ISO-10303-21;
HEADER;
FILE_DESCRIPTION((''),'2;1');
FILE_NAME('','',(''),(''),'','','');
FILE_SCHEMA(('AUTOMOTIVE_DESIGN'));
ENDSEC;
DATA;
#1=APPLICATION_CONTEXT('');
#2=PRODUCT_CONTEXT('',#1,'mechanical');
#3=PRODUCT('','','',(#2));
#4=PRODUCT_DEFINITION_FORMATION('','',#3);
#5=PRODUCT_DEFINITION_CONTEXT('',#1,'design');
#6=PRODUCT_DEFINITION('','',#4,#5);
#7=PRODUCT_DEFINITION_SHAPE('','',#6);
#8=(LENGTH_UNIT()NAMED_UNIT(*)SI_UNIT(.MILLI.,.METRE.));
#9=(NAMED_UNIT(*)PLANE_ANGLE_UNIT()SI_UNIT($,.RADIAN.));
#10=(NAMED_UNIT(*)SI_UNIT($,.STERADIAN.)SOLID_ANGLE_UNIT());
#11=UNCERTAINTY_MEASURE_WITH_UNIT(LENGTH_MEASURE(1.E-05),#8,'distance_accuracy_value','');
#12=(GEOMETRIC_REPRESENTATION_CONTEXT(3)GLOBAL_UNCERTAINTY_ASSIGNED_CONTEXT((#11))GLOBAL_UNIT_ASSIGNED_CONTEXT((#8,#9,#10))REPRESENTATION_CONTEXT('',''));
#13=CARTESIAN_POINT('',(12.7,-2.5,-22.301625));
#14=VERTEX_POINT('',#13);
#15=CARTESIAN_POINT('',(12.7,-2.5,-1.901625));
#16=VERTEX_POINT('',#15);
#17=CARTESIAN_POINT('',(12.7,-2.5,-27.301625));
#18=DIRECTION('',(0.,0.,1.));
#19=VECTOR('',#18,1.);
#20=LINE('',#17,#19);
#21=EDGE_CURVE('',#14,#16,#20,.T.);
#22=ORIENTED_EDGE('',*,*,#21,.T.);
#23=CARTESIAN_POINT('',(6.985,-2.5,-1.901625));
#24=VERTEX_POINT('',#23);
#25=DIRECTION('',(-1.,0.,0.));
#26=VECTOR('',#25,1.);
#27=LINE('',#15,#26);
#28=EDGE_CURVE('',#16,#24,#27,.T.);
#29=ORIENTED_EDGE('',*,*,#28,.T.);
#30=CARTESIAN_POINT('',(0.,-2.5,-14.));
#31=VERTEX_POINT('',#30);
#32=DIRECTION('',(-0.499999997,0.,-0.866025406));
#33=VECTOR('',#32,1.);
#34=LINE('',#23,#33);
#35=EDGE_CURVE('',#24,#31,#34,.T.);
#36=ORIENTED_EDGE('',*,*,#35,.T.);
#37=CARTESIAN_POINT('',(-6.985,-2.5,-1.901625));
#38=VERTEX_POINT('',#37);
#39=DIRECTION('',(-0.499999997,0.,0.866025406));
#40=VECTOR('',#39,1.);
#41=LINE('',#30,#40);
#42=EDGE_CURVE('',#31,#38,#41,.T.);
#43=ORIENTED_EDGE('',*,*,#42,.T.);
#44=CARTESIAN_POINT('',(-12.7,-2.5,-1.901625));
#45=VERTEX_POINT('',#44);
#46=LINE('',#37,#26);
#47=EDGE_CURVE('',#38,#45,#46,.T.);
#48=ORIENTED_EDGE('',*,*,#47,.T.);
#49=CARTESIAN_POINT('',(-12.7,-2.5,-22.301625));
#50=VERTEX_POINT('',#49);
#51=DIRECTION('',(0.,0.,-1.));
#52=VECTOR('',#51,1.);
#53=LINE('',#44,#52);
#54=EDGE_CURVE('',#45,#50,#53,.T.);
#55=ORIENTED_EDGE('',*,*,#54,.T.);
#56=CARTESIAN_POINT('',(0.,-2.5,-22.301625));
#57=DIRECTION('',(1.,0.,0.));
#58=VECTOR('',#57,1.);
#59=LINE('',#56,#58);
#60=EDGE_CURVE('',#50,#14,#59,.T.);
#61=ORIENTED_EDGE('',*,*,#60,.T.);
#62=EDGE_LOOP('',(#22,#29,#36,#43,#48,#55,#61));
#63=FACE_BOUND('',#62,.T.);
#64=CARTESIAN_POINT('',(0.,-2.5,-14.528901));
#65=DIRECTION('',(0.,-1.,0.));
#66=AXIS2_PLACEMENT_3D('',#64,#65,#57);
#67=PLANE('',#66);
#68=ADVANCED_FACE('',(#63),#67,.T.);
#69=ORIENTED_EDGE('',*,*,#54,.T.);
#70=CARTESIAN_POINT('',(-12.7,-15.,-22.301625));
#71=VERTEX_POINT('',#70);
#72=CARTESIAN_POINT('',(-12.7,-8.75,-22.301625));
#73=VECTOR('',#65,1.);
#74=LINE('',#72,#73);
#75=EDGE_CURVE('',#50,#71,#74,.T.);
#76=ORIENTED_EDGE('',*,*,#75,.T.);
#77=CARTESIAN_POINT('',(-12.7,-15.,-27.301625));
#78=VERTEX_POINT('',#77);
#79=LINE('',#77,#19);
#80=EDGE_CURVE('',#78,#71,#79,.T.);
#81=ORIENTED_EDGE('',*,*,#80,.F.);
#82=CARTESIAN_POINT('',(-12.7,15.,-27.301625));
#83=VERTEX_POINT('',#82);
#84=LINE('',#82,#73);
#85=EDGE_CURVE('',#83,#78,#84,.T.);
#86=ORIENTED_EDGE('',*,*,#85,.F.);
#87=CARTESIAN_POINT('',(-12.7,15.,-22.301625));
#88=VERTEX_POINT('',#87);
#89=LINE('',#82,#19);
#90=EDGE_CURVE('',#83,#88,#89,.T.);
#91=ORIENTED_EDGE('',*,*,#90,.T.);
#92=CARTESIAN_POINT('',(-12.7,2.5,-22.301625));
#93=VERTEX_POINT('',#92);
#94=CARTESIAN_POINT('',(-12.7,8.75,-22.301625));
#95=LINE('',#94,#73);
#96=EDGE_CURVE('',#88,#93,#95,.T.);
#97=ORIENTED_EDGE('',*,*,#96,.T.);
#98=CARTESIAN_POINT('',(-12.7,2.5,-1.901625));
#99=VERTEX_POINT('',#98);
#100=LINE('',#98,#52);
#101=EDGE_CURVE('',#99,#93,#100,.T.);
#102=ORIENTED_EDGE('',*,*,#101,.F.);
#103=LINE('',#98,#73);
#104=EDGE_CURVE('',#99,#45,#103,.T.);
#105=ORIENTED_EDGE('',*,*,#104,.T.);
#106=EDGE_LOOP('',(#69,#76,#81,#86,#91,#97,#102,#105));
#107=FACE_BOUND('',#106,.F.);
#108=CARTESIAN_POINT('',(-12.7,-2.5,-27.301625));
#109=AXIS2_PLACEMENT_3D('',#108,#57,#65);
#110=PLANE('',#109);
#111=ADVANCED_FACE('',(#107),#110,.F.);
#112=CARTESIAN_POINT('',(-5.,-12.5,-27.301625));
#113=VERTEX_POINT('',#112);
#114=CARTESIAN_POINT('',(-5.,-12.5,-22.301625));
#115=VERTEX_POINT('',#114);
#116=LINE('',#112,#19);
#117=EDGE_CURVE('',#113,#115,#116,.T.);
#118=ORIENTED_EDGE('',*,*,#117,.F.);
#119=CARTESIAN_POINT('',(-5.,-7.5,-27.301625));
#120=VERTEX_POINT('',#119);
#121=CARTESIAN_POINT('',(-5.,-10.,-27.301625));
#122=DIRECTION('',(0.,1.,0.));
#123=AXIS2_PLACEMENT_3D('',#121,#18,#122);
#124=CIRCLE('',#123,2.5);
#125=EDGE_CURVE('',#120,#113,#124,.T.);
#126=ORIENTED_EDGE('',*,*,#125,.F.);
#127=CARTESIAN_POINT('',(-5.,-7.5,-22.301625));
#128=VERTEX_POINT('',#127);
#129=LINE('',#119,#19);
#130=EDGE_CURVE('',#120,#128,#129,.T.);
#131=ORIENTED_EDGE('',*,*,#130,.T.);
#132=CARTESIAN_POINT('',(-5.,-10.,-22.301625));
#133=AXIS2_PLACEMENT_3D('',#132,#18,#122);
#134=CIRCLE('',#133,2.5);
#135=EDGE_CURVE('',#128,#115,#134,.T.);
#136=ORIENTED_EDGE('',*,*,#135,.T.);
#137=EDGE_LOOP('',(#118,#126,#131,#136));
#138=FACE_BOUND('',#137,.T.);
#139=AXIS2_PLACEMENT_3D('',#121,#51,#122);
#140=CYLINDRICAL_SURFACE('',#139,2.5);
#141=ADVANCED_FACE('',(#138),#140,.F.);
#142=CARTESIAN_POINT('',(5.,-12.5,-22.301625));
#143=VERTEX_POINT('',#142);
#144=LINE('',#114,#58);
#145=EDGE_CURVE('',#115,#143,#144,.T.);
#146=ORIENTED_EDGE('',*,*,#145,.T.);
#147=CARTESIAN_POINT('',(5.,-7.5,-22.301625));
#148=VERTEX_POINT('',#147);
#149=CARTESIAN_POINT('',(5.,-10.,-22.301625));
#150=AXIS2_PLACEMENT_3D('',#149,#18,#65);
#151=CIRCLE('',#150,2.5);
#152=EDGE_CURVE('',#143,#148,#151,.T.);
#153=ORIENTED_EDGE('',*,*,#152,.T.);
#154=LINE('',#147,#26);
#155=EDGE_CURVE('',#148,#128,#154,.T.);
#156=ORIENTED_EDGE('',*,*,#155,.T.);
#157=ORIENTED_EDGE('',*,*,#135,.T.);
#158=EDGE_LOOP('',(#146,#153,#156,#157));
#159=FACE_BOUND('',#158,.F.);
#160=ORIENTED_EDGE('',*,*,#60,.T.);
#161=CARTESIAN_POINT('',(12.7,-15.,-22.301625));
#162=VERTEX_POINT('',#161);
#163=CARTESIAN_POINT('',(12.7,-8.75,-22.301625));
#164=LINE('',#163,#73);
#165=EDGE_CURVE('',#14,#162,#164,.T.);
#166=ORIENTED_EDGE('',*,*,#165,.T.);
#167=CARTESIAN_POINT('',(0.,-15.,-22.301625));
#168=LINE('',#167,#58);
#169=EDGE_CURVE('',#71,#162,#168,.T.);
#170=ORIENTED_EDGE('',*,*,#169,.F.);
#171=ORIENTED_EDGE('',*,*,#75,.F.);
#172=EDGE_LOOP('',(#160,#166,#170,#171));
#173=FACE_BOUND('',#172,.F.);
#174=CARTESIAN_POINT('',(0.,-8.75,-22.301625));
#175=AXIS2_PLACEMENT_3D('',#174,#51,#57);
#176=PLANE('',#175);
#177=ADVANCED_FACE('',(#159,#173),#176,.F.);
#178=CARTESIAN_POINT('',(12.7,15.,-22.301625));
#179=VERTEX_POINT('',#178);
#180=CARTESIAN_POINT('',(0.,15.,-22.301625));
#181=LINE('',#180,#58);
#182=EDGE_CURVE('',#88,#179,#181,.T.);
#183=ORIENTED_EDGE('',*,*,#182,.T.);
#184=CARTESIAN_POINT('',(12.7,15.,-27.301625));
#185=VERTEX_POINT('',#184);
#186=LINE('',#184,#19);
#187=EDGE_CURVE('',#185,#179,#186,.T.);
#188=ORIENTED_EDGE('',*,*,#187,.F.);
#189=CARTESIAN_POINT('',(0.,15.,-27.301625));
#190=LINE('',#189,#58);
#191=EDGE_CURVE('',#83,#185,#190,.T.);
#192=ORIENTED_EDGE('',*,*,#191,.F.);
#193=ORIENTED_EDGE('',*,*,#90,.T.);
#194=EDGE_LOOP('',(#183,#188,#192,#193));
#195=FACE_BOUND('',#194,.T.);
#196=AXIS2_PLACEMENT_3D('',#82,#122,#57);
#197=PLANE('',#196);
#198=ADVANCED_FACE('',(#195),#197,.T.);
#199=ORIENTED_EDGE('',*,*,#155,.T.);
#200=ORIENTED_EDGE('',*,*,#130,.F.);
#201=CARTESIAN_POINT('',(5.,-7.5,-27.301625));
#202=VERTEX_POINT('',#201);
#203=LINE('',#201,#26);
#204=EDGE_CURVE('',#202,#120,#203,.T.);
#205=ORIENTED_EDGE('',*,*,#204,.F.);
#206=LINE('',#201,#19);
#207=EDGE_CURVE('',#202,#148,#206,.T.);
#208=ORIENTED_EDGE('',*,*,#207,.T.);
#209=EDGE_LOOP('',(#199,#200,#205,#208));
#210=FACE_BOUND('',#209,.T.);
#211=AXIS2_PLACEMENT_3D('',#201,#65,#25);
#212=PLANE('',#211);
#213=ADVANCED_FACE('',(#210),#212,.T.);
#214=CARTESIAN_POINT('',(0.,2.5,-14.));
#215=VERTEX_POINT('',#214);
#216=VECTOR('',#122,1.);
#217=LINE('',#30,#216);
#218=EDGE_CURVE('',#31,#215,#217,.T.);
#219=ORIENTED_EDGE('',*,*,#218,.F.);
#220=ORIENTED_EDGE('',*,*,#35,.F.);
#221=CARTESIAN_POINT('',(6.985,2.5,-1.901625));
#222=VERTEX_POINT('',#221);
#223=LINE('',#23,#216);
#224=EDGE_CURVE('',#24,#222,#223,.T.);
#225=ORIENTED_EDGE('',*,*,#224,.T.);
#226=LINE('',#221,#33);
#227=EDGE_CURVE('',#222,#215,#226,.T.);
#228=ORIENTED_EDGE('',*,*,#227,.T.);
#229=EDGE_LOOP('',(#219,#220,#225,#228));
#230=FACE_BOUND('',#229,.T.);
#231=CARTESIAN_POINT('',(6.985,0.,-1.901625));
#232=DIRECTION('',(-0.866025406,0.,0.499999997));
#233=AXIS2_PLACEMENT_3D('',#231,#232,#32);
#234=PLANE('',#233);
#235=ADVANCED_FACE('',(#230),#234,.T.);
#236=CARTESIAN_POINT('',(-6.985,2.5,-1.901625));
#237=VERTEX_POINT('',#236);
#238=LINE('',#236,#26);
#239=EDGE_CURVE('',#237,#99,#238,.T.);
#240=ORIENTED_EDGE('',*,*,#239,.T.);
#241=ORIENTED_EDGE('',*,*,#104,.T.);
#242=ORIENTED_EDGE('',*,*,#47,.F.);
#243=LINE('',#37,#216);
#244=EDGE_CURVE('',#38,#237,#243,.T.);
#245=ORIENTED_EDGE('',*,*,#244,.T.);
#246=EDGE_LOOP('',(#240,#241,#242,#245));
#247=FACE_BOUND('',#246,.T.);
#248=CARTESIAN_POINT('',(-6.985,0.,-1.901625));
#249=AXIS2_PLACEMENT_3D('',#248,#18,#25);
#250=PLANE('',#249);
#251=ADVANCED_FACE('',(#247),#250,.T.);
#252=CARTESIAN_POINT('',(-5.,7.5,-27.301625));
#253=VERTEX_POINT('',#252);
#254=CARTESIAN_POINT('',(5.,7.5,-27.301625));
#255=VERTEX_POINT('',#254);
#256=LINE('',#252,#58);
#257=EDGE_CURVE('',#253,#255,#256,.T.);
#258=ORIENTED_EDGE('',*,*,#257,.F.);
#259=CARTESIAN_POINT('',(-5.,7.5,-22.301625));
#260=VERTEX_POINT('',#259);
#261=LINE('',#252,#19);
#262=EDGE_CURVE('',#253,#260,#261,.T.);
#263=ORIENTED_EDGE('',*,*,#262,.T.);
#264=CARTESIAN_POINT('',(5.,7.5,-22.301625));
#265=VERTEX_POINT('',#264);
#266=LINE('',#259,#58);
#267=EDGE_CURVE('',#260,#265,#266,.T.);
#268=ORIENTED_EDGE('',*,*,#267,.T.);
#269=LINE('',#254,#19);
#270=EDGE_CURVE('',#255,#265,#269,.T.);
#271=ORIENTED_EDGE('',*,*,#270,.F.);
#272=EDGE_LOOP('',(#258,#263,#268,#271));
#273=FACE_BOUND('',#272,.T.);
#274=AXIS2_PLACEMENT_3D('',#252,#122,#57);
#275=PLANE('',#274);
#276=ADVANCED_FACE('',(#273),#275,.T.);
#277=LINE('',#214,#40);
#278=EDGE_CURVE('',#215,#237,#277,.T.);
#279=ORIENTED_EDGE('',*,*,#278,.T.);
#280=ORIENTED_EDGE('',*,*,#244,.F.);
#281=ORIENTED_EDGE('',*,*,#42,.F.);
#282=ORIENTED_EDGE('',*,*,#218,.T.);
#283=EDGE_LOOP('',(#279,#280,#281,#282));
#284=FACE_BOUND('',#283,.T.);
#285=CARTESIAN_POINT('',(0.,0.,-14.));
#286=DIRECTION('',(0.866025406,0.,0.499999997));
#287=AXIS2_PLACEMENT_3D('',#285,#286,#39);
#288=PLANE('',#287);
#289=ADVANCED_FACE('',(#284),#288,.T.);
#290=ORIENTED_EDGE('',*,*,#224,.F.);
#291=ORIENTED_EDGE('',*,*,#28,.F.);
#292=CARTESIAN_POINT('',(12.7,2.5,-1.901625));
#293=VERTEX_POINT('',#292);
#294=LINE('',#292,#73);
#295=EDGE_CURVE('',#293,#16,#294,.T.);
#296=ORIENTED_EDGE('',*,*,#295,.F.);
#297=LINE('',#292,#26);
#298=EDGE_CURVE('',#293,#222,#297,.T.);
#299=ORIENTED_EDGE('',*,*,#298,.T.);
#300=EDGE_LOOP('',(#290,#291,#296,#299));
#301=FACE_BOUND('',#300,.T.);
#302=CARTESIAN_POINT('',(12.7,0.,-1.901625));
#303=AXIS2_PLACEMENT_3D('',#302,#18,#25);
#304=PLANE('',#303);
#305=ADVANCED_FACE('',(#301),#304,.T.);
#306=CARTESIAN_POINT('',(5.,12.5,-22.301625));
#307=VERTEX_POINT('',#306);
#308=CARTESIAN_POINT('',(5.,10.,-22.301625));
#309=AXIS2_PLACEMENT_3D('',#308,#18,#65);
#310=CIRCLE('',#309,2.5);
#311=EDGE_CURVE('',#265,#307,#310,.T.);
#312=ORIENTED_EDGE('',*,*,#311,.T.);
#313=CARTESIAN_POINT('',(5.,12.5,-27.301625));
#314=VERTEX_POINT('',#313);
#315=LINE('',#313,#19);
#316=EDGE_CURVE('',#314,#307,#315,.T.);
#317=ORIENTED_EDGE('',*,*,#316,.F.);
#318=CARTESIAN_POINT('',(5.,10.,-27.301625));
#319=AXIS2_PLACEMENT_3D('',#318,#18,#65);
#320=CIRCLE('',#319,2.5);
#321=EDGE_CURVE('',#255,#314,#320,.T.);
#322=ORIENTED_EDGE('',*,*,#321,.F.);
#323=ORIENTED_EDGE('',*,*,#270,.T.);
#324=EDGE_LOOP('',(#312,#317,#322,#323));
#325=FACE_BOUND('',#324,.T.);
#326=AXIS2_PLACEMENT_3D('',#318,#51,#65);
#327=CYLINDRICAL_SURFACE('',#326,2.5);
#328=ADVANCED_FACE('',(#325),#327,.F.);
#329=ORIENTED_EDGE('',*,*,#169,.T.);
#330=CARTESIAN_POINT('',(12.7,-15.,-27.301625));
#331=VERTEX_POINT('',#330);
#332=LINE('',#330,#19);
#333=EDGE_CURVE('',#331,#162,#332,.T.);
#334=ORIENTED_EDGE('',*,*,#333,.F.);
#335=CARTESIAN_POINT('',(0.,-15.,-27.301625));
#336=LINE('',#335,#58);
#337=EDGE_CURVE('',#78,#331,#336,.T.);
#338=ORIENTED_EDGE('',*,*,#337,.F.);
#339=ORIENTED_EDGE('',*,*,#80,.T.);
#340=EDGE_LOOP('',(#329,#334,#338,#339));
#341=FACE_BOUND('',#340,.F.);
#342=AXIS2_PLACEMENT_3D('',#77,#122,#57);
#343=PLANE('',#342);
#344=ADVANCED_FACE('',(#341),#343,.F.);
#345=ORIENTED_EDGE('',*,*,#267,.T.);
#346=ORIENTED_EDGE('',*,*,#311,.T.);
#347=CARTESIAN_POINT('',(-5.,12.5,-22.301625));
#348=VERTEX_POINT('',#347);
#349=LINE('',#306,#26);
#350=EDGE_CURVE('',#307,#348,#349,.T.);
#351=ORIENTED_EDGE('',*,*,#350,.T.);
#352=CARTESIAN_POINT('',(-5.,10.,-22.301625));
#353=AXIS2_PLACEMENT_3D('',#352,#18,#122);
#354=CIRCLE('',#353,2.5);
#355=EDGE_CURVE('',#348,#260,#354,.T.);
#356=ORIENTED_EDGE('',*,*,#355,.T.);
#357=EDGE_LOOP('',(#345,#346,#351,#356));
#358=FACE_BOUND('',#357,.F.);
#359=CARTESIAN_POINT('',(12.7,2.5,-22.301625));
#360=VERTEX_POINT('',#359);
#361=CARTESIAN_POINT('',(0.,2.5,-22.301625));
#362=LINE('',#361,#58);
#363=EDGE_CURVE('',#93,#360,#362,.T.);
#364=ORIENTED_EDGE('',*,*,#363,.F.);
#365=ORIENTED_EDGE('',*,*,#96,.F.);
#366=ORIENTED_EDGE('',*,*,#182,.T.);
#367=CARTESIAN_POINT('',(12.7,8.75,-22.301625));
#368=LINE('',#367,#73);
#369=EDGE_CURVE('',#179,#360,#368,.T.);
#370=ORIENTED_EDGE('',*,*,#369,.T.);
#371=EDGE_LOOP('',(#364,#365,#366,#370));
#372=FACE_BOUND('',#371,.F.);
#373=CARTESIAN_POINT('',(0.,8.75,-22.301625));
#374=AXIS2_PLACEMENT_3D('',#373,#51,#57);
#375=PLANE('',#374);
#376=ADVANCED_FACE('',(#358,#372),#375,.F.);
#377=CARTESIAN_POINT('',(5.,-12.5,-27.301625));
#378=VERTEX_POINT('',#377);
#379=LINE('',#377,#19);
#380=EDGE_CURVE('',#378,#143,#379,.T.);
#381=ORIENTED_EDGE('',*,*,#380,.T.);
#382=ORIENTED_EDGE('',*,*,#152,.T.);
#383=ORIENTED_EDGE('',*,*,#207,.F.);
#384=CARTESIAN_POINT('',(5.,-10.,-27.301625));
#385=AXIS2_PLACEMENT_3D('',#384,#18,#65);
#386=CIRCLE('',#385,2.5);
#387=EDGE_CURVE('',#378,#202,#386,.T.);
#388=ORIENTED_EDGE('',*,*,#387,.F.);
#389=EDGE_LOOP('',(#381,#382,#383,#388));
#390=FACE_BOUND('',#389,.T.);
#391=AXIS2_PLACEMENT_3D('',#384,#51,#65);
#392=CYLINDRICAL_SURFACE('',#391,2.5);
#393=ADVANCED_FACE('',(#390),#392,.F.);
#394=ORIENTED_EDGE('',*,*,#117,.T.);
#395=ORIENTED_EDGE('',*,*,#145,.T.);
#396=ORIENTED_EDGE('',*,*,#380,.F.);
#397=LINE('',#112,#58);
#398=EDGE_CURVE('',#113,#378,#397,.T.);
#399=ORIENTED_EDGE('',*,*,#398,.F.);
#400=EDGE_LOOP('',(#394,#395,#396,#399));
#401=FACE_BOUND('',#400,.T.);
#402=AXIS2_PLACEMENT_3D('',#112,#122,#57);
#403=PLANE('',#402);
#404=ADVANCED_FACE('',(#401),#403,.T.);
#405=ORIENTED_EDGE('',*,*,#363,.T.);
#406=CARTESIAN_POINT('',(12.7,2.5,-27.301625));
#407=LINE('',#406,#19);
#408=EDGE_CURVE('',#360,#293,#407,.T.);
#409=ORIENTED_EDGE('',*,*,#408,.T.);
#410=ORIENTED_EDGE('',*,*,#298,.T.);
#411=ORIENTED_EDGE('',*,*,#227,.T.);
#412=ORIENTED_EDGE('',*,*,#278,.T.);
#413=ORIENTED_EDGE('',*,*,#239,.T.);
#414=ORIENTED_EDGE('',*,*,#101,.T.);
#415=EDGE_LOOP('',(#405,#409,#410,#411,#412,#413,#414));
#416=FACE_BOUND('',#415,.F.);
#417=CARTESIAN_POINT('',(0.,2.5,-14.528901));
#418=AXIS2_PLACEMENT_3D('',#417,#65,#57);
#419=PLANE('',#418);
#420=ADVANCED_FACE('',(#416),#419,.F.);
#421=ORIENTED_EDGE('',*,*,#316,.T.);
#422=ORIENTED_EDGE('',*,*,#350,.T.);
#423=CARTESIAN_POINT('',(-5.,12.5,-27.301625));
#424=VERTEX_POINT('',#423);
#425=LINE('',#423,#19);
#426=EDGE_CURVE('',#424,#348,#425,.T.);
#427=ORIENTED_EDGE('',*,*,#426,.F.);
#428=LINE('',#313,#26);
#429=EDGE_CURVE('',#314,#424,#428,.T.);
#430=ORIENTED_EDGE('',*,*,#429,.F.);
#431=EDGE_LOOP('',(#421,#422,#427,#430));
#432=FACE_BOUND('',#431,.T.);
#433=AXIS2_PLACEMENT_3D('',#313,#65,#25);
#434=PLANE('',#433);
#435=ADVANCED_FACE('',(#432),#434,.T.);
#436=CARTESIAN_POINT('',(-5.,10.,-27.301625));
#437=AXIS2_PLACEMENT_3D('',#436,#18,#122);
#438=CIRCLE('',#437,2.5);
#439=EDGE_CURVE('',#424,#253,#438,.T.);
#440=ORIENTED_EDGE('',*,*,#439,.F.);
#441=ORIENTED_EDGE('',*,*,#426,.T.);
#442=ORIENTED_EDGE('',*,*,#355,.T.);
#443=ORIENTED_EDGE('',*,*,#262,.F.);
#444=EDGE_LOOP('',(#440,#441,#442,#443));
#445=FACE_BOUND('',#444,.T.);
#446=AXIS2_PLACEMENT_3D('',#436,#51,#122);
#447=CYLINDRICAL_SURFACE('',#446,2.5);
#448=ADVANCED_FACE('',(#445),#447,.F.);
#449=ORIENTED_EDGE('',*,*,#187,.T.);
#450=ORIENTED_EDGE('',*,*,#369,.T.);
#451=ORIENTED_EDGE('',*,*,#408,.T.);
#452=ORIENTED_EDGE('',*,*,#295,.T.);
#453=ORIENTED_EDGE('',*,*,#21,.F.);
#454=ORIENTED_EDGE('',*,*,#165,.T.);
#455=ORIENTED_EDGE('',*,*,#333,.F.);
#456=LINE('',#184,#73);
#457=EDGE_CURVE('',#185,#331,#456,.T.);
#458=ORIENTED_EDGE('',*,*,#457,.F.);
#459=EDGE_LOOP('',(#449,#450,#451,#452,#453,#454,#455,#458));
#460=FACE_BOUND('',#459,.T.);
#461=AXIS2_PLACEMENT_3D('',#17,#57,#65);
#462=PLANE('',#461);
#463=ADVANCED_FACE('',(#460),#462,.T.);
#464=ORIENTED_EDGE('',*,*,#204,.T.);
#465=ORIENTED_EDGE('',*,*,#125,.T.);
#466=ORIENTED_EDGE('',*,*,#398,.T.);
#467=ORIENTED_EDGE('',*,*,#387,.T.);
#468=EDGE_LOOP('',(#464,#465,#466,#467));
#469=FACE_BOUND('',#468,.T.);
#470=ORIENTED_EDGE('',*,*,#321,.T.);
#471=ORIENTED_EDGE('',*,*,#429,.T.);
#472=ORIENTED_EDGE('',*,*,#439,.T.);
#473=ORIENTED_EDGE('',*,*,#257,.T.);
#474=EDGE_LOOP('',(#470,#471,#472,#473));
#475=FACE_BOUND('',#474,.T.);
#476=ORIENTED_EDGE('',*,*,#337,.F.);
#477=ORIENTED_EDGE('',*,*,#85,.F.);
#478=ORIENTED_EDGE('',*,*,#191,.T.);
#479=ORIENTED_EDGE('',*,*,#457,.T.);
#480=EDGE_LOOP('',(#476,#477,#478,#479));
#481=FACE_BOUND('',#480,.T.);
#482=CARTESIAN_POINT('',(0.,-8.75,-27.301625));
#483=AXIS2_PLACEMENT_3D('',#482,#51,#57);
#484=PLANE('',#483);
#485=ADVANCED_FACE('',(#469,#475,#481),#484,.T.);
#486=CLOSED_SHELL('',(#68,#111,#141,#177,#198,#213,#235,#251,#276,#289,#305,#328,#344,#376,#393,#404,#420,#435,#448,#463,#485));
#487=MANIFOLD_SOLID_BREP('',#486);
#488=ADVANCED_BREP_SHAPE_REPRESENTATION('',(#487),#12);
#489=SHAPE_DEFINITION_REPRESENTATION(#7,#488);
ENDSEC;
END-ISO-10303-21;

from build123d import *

# Parameters (mm, degrees)
F1_DEPTH = 2.5
F2_W     = 25.4
F2_H     = 12.5
F3_DEPTH = 5


with BuildPart() as f1:
    # F0 (on Front) → F1 (new body, symmetric)
    with BuildSketch(Plane.XZ):
        Polygon((-6.985, -1.901625), (-12.7, -1.901625), (-12.7, -27.301625), (12.7, -27.301625), (12.7, -1.901625), (6.985, -1.901625), (0, -14), align=None)
    extrude(amount=F1_DEPTH, both=True)

    # F2 (on face) → F3 (join)
    with BuildSketch(Plane(origin=(0, 0, -27.301625), x_dir=(1, 0, 0), z_dir=(0, 0, -1))):
        with Locations((0, 8.75)):
            Rectangle(F2_W, F2_H)
        with BuildLine():
            Line((5, 7.5), (-5, 7.5))
            ThreePointArc((-5, 7.5), (-7.5, 10), (-5, 12.5))
            Line((-5, 12.5), (5, 12.5))
            ThreePointArc((5, 12.5), (7.5, 10), (5, 7.5))
        make_face(mode=Mode.SUBTRACT)
        with Locations((0, -8.75)):
            Rectangle(F2_W, F2_H)
        with BuildLine():
            Line((-5, -7.5), (5, -7.5))
            ThreePointArc((5, -7.5), (7.5, -10), (5, -12.5))
            Line((5, -12.5), (-5, -12.5))
            ThreePointArc((-5, -12.5), (-7.5, -10), (-5, -7.5))
        make_face(mode=Mode.SUBTRACT)
    extrude(amount=-F3_DEPTH)


solid = f1.part
